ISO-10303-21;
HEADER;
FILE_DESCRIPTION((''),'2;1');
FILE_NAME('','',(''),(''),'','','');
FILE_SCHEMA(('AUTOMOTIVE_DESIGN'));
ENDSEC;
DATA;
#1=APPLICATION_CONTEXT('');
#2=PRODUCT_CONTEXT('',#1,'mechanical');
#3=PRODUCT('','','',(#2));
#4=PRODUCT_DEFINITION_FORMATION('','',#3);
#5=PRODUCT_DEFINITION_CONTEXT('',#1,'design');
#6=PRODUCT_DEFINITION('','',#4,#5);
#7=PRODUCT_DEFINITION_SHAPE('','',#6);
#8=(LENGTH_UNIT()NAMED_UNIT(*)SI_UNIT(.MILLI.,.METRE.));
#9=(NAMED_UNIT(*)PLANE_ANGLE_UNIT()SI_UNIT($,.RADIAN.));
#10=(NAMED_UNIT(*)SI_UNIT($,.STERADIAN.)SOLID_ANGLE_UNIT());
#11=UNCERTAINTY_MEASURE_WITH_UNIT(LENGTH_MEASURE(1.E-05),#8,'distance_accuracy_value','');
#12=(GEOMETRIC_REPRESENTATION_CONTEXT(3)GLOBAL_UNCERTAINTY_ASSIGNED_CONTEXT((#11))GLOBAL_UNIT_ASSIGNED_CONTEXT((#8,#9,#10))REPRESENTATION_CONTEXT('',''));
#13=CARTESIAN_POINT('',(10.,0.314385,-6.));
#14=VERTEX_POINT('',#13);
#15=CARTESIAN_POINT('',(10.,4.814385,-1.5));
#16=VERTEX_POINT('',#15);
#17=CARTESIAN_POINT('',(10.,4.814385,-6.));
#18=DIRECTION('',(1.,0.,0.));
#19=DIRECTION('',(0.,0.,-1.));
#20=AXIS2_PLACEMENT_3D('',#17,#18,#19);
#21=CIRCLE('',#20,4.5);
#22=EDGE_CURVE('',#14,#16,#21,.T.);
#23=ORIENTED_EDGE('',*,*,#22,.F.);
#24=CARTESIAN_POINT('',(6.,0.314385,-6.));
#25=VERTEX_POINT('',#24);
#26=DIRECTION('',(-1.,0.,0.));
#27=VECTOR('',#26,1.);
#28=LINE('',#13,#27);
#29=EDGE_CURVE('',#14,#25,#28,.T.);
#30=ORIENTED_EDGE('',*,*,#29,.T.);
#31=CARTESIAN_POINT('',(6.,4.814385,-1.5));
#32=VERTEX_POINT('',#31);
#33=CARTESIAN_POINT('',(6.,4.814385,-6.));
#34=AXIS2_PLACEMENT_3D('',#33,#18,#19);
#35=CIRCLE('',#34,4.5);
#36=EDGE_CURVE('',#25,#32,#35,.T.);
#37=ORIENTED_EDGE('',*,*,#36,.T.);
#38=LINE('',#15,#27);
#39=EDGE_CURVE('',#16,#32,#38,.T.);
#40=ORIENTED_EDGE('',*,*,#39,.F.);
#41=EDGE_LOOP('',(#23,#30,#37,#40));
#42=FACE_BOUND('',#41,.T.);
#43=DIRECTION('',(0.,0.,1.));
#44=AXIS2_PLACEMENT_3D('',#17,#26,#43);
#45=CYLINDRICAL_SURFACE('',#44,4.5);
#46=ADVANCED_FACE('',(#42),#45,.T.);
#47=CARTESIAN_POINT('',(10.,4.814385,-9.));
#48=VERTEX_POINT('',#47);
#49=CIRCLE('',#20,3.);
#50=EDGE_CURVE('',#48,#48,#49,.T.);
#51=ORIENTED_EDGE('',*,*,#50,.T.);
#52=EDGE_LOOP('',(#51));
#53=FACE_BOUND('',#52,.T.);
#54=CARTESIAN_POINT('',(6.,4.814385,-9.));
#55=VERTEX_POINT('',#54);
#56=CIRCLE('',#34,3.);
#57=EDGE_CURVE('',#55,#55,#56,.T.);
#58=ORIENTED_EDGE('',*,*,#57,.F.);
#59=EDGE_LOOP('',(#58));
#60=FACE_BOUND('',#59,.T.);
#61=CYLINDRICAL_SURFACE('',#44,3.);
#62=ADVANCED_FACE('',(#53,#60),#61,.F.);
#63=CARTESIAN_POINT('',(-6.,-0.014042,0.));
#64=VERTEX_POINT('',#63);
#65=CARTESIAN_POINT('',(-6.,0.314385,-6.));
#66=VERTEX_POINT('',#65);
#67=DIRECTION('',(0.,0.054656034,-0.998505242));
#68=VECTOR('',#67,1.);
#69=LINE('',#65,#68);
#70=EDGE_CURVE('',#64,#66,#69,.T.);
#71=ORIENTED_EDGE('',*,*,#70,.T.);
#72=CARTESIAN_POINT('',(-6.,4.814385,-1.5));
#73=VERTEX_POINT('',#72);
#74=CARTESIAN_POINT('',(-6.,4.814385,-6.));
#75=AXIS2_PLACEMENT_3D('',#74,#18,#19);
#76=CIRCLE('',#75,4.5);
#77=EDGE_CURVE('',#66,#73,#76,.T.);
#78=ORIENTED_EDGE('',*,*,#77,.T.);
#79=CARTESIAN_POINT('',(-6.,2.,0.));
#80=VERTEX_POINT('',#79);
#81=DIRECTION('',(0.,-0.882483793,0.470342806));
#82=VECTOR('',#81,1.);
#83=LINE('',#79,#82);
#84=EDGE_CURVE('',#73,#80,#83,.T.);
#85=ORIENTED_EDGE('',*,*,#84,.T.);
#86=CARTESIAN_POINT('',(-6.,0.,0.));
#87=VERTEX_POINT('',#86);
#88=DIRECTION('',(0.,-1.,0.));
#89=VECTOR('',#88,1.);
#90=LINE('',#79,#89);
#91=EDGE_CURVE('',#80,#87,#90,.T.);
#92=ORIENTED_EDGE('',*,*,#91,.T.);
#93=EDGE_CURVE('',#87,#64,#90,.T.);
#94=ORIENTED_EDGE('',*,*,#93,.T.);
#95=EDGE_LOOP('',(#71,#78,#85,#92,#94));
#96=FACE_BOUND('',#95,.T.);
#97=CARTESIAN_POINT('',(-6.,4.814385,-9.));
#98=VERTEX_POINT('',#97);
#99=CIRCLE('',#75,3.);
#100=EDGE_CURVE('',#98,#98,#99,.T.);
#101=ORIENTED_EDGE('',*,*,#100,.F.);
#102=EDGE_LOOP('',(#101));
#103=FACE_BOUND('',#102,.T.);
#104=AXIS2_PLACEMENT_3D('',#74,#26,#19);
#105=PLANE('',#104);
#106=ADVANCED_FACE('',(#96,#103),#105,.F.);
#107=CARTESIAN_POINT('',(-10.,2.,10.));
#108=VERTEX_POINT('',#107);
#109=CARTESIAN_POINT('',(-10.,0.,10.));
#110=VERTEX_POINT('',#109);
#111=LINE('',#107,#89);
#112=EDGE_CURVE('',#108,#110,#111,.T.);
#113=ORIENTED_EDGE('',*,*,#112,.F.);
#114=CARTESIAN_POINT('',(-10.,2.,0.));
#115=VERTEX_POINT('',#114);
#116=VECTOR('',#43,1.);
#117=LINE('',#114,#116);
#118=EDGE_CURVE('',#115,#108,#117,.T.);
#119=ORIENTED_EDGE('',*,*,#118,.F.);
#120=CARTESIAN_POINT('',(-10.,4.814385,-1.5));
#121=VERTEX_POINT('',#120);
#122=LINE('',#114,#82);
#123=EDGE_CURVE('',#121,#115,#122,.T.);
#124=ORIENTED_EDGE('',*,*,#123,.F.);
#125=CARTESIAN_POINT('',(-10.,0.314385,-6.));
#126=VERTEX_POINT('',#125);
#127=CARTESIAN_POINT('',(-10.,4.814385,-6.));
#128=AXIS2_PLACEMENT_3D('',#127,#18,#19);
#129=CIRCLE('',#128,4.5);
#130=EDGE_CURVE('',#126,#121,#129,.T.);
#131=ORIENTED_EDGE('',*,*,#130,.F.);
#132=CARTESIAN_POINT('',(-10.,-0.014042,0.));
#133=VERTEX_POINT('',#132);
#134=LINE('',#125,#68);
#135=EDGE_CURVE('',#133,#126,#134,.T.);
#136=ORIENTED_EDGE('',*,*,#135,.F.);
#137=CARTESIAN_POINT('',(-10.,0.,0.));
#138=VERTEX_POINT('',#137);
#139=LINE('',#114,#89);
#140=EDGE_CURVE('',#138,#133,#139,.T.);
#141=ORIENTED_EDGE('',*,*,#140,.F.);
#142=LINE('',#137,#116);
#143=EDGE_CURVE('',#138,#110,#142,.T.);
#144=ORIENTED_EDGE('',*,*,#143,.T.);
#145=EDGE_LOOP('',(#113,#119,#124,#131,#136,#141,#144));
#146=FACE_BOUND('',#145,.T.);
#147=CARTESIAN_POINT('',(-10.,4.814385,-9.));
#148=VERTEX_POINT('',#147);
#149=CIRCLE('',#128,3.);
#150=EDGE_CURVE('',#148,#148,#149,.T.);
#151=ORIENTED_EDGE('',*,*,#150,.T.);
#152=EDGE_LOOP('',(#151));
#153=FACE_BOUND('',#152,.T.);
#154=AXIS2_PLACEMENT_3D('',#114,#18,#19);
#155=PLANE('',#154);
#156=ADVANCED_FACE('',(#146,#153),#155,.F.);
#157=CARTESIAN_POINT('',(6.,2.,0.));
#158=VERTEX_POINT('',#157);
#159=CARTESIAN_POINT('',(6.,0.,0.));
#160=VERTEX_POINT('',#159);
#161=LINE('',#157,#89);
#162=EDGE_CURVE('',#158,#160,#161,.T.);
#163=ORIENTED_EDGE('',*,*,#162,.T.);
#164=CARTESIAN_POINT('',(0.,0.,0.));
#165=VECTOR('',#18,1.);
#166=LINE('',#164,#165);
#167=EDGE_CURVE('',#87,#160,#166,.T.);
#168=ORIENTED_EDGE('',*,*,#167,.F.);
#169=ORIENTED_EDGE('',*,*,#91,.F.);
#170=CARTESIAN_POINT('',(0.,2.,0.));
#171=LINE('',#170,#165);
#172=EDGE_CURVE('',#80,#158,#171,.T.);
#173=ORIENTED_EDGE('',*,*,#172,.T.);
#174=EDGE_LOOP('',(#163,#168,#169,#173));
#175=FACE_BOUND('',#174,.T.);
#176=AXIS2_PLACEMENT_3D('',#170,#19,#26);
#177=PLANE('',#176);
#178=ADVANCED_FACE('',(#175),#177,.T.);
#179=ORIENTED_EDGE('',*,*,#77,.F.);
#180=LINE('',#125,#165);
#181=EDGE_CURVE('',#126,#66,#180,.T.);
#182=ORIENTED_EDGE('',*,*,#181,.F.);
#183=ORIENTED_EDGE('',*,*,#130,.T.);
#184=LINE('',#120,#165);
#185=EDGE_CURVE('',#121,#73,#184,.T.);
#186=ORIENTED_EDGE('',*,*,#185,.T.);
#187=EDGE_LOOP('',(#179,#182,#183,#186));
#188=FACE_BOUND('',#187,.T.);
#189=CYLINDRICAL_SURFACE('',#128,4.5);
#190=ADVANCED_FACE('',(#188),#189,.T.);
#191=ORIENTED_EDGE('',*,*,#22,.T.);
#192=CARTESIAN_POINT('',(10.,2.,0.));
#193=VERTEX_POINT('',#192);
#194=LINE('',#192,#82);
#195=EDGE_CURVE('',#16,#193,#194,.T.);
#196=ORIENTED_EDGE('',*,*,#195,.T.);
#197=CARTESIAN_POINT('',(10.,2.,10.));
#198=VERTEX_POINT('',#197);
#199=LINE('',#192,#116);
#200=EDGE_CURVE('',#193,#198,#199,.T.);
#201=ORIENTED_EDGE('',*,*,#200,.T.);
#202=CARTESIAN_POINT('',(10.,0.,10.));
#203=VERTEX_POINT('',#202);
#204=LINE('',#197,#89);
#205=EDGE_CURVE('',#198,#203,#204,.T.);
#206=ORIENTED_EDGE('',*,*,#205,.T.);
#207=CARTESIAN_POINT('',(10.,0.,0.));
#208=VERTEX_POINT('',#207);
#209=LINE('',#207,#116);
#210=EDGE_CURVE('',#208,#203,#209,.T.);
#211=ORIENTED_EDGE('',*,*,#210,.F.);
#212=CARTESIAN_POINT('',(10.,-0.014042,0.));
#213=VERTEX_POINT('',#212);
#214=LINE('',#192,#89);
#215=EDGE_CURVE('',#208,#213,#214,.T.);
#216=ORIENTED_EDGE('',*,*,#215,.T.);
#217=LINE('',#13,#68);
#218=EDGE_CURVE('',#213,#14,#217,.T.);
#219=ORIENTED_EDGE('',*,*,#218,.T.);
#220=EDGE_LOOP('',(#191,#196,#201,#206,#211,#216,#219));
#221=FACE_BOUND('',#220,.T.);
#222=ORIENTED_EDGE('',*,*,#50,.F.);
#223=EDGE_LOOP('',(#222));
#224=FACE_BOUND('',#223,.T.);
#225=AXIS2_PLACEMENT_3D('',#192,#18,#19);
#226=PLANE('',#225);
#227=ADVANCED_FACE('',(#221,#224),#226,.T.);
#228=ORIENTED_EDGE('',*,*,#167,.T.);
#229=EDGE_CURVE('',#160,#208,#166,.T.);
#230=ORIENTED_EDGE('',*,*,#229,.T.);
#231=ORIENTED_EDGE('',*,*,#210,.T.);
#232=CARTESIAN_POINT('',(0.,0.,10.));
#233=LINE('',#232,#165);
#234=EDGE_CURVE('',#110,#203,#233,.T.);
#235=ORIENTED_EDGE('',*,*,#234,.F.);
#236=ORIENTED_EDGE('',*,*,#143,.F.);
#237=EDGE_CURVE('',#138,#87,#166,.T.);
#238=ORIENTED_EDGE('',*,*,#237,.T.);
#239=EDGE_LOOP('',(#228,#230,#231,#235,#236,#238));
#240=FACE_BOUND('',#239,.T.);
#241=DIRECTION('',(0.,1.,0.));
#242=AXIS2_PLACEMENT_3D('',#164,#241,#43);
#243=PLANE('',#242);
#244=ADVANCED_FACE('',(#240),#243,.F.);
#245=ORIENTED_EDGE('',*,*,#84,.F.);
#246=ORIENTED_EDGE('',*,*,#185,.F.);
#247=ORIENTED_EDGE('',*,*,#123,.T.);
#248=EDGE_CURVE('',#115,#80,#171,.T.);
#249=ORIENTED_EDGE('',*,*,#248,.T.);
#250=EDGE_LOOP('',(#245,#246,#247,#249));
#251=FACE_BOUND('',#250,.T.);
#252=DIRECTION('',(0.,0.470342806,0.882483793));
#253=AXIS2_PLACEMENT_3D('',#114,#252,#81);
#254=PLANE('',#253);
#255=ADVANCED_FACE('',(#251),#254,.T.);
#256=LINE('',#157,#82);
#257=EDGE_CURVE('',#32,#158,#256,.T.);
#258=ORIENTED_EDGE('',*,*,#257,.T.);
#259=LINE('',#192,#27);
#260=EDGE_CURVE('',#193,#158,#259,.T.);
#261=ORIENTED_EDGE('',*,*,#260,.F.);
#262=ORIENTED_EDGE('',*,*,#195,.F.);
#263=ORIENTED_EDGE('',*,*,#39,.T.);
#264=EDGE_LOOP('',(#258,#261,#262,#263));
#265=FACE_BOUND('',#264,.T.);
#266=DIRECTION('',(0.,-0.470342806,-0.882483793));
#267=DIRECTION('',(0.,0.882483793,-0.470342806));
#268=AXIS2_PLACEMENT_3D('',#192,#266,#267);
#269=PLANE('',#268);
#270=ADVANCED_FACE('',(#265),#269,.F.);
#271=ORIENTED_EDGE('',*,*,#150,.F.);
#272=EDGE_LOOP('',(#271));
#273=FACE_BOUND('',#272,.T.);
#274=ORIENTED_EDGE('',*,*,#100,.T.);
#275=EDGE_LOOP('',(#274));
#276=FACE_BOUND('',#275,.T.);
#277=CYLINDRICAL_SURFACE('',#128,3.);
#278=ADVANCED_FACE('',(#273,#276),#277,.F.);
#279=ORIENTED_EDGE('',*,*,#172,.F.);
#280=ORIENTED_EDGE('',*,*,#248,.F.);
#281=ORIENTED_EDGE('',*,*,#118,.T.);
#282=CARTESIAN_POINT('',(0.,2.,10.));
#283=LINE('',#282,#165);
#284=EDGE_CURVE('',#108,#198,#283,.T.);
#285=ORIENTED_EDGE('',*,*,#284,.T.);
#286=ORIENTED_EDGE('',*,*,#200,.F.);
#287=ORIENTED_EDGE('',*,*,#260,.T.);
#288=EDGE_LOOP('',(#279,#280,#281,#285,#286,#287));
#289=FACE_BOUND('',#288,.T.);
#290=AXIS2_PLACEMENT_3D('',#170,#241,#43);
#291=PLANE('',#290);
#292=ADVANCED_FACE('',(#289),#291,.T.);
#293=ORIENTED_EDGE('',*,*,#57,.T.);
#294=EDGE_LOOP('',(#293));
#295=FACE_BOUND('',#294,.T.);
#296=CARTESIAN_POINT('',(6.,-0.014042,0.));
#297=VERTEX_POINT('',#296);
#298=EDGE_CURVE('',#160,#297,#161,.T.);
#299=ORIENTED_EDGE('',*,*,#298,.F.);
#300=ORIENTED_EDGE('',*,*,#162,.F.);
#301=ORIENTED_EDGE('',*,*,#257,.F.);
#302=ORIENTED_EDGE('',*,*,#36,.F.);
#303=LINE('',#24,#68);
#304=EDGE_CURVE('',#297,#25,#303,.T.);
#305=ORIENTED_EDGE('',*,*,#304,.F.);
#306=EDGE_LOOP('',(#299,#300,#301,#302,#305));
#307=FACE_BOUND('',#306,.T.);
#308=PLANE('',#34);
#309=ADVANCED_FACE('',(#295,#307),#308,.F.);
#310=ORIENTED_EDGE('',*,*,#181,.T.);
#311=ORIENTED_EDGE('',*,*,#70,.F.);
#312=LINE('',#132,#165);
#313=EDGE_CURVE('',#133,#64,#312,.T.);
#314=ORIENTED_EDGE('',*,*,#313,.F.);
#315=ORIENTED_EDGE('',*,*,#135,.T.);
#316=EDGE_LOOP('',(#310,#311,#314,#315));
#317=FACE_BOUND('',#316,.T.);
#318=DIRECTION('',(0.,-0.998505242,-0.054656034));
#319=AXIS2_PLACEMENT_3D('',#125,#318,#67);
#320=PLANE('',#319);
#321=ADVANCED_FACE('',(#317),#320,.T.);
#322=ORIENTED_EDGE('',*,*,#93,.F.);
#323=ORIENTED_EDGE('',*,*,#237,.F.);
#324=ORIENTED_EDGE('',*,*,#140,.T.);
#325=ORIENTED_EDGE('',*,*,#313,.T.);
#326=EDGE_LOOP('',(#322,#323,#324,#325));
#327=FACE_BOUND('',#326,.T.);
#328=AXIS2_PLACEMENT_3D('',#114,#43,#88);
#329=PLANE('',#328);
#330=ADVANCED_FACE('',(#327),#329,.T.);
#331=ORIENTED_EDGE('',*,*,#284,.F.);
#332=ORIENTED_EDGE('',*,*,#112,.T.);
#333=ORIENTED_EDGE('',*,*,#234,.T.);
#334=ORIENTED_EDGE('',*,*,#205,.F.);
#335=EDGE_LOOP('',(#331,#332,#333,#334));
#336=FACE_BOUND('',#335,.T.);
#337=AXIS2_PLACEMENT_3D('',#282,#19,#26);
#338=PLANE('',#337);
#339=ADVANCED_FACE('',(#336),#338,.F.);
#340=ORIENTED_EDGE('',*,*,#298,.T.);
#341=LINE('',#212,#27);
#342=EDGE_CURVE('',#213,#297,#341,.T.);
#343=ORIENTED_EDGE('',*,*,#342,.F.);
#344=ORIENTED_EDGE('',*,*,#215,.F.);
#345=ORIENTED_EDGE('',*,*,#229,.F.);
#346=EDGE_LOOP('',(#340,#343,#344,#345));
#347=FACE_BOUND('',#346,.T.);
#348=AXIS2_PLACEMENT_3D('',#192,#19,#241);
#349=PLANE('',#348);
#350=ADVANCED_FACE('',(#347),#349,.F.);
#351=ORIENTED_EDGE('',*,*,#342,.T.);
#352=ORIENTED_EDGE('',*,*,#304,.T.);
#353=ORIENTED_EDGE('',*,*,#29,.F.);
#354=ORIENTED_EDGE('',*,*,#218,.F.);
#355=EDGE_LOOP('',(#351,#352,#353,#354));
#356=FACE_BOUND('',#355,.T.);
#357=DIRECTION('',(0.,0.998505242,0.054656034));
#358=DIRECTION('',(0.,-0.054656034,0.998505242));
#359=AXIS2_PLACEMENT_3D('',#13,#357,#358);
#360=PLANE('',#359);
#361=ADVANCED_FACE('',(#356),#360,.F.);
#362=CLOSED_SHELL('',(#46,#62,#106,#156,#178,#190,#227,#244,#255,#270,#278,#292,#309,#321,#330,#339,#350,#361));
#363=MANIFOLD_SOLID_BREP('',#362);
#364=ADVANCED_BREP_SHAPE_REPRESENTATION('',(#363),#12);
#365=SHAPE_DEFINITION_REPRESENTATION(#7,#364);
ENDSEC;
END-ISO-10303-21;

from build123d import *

# Parameters (mm, degrees)
SKETCH1_W           = 20
SKETCH1_H           = 10
BOSS_EXTRUDE1_DEPTH = 2
SKETCH4_R           = 3
BOSS_EXTRUDE2_DEPTH = 4


with BuildPart() as part:
    # Sketch1 → Boss-Extrude1 (new body)
    with BuildSketch(Plane(origin=(0, 0, 0), x_dir=(1, 0, 0), z_dir=(0, 1, 0))):
        with Locations((0, -5)):
            Rectangle(SKETCH1_W, SKETCH1_H)
    extrude(amount=BOSS_EXTRUDE1_DEPTH)

    # Sketch4 → Boss-Extrude2 (add)
    with BuildSketch(Plane(origin=(6, 0, 0), x_dir=(0, 0, -1), z_dir=(1, 0, 0))):
        with BuildLine():
            Line((0, 2), (1.5, 4.814384898))
            ThreePointArc((1.5, 4.814384898), (9.181980515, 7.996365414), (6, 0.314384898))
            Line((6, 0.314384898), (0, -0.014042226))
            Line((0, -0.014042226), (0, 2))
        make_face()
        with Locations((6, 4.814384898)):
            Circle(SKETCH4_R, mode=Mode.SUBTRACT)
    boss_extrude2 = extrude(amount=BOSS_EXTRUDE2_DEPTH)

    # Mirror1: Boss-Extrude2 across plane
    add(boss_extrude2.mirror(Plane(origin=(0, 0, 0), x_dir=(0, 0, 1), z_dir=(1, 0, 0))))


solid = part.part
